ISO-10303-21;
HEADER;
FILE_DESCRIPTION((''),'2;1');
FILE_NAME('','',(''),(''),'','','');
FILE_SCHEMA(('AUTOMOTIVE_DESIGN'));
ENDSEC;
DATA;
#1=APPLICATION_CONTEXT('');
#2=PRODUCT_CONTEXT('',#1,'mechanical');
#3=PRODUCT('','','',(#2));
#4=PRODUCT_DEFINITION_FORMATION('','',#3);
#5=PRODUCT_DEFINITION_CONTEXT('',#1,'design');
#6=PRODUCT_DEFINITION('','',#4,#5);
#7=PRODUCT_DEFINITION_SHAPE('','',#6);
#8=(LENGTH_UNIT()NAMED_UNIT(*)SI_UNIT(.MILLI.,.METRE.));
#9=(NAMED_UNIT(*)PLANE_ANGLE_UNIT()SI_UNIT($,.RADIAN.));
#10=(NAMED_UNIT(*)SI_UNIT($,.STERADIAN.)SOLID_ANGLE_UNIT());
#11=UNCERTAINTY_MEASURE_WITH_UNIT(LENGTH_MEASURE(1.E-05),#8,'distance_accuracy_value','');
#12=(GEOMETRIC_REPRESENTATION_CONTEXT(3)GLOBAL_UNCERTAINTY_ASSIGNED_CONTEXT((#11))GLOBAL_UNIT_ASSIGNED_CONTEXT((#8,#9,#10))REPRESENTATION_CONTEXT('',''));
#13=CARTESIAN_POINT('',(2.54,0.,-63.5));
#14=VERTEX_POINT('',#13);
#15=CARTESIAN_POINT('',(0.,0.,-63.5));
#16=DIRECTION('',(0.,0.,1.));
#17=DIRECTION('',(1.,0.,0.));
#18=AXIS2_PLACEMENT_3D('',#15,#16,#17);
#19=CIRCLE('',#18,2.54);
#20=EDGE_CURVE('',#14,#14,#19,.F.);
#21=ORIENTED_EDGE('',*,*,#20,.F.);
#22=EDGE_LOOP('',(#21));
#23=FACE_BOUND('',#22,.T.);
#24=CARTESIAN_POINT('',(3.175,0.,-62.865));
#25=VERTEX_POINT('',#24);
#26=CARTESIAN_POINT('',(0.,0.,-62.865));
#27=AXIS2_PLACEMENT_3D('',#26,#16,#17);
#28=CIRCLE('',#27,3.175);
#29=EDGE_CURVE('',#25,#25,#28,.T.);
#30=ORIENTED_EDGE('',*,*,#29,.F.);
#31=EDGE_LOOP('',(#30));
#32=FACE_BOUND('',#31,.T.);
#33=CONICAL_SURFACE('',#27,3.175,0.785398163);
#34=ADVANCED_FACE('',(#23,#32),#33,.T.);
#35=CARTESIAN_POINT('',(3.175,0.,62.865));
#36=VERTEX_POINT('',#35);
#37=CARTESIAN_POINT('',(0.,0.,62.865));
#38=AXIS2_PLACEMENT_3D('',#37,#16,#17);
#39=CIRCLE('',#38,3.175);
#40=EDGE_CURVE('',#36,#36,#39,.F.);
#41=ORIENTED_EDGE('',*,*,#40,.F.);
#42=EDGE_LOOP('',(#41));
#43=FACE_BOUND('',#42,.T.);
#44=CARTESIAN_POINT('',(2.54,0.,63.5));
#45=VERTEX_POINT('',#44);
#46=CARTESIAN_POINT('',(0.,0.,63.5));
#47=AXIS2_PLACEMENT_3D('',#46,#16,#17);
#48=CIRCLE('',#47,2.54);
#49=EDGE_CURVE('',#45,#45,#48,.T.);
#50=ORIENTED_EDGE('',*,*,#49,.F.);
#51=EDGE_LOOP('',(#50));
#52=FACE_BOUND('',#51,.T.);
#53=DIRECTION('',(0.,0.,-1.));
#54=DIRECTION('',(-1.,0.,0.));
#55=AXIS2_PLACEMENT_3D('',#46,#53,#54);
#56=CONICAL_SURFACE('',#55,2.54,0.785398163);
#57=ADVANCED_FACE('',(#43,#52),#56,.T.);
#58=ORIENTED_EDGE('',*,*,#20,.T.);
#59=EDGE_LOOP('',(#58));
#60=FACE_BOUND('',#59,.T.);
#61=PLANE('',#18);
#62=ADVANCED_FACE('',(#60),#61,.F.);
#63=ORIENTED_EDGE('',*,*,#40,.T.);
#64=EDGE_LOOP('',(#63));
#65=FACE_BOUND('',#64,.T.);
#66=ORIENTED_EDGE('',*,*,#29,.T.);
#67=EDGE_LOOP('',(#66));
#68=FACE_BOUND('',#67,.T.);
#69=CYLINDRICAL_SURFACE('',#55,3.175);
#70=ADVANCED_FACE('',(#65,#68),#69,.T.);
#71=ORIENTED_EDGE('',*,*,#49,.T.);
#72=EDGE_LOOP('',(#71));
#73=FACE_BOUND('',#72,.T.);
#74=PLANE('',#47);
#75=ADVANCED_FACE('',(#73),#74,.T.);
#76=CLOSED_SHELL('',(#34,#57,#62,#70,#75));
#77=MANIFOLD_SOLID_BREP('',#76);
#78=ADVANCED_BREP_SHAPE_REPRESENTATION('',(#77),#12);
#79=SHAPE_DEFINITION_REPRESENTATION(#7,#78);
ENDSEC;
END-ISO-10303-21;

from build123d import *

# Parameters (mm, degrees)
SKETCH3_R           = 3.175
BOSS_EXTRUDE1_DEPTH = 63.5
CHAMFER1_SIZE       = 0.635


with BuildPart() as part:
    # Sketch3 → Boss-Extrude1 (new, symmetric)
    with BuildSketch(Plane.XY):
        Circle(SKETCH3_R)
    extrude(amount=BOSS_EXTRUDE1_DEPTH, both=True)

    # Chamfer1
    chamfer1_edges = [part.edges().sort_by_distance(p)[0] for p in [
        (-3.175, 0, -63.5),
        (-3.175, 0, 63.5),
    ]]
    chamfer(chamfer1_edges, length=CHAMFER1_SIZE)


solid = part.part
